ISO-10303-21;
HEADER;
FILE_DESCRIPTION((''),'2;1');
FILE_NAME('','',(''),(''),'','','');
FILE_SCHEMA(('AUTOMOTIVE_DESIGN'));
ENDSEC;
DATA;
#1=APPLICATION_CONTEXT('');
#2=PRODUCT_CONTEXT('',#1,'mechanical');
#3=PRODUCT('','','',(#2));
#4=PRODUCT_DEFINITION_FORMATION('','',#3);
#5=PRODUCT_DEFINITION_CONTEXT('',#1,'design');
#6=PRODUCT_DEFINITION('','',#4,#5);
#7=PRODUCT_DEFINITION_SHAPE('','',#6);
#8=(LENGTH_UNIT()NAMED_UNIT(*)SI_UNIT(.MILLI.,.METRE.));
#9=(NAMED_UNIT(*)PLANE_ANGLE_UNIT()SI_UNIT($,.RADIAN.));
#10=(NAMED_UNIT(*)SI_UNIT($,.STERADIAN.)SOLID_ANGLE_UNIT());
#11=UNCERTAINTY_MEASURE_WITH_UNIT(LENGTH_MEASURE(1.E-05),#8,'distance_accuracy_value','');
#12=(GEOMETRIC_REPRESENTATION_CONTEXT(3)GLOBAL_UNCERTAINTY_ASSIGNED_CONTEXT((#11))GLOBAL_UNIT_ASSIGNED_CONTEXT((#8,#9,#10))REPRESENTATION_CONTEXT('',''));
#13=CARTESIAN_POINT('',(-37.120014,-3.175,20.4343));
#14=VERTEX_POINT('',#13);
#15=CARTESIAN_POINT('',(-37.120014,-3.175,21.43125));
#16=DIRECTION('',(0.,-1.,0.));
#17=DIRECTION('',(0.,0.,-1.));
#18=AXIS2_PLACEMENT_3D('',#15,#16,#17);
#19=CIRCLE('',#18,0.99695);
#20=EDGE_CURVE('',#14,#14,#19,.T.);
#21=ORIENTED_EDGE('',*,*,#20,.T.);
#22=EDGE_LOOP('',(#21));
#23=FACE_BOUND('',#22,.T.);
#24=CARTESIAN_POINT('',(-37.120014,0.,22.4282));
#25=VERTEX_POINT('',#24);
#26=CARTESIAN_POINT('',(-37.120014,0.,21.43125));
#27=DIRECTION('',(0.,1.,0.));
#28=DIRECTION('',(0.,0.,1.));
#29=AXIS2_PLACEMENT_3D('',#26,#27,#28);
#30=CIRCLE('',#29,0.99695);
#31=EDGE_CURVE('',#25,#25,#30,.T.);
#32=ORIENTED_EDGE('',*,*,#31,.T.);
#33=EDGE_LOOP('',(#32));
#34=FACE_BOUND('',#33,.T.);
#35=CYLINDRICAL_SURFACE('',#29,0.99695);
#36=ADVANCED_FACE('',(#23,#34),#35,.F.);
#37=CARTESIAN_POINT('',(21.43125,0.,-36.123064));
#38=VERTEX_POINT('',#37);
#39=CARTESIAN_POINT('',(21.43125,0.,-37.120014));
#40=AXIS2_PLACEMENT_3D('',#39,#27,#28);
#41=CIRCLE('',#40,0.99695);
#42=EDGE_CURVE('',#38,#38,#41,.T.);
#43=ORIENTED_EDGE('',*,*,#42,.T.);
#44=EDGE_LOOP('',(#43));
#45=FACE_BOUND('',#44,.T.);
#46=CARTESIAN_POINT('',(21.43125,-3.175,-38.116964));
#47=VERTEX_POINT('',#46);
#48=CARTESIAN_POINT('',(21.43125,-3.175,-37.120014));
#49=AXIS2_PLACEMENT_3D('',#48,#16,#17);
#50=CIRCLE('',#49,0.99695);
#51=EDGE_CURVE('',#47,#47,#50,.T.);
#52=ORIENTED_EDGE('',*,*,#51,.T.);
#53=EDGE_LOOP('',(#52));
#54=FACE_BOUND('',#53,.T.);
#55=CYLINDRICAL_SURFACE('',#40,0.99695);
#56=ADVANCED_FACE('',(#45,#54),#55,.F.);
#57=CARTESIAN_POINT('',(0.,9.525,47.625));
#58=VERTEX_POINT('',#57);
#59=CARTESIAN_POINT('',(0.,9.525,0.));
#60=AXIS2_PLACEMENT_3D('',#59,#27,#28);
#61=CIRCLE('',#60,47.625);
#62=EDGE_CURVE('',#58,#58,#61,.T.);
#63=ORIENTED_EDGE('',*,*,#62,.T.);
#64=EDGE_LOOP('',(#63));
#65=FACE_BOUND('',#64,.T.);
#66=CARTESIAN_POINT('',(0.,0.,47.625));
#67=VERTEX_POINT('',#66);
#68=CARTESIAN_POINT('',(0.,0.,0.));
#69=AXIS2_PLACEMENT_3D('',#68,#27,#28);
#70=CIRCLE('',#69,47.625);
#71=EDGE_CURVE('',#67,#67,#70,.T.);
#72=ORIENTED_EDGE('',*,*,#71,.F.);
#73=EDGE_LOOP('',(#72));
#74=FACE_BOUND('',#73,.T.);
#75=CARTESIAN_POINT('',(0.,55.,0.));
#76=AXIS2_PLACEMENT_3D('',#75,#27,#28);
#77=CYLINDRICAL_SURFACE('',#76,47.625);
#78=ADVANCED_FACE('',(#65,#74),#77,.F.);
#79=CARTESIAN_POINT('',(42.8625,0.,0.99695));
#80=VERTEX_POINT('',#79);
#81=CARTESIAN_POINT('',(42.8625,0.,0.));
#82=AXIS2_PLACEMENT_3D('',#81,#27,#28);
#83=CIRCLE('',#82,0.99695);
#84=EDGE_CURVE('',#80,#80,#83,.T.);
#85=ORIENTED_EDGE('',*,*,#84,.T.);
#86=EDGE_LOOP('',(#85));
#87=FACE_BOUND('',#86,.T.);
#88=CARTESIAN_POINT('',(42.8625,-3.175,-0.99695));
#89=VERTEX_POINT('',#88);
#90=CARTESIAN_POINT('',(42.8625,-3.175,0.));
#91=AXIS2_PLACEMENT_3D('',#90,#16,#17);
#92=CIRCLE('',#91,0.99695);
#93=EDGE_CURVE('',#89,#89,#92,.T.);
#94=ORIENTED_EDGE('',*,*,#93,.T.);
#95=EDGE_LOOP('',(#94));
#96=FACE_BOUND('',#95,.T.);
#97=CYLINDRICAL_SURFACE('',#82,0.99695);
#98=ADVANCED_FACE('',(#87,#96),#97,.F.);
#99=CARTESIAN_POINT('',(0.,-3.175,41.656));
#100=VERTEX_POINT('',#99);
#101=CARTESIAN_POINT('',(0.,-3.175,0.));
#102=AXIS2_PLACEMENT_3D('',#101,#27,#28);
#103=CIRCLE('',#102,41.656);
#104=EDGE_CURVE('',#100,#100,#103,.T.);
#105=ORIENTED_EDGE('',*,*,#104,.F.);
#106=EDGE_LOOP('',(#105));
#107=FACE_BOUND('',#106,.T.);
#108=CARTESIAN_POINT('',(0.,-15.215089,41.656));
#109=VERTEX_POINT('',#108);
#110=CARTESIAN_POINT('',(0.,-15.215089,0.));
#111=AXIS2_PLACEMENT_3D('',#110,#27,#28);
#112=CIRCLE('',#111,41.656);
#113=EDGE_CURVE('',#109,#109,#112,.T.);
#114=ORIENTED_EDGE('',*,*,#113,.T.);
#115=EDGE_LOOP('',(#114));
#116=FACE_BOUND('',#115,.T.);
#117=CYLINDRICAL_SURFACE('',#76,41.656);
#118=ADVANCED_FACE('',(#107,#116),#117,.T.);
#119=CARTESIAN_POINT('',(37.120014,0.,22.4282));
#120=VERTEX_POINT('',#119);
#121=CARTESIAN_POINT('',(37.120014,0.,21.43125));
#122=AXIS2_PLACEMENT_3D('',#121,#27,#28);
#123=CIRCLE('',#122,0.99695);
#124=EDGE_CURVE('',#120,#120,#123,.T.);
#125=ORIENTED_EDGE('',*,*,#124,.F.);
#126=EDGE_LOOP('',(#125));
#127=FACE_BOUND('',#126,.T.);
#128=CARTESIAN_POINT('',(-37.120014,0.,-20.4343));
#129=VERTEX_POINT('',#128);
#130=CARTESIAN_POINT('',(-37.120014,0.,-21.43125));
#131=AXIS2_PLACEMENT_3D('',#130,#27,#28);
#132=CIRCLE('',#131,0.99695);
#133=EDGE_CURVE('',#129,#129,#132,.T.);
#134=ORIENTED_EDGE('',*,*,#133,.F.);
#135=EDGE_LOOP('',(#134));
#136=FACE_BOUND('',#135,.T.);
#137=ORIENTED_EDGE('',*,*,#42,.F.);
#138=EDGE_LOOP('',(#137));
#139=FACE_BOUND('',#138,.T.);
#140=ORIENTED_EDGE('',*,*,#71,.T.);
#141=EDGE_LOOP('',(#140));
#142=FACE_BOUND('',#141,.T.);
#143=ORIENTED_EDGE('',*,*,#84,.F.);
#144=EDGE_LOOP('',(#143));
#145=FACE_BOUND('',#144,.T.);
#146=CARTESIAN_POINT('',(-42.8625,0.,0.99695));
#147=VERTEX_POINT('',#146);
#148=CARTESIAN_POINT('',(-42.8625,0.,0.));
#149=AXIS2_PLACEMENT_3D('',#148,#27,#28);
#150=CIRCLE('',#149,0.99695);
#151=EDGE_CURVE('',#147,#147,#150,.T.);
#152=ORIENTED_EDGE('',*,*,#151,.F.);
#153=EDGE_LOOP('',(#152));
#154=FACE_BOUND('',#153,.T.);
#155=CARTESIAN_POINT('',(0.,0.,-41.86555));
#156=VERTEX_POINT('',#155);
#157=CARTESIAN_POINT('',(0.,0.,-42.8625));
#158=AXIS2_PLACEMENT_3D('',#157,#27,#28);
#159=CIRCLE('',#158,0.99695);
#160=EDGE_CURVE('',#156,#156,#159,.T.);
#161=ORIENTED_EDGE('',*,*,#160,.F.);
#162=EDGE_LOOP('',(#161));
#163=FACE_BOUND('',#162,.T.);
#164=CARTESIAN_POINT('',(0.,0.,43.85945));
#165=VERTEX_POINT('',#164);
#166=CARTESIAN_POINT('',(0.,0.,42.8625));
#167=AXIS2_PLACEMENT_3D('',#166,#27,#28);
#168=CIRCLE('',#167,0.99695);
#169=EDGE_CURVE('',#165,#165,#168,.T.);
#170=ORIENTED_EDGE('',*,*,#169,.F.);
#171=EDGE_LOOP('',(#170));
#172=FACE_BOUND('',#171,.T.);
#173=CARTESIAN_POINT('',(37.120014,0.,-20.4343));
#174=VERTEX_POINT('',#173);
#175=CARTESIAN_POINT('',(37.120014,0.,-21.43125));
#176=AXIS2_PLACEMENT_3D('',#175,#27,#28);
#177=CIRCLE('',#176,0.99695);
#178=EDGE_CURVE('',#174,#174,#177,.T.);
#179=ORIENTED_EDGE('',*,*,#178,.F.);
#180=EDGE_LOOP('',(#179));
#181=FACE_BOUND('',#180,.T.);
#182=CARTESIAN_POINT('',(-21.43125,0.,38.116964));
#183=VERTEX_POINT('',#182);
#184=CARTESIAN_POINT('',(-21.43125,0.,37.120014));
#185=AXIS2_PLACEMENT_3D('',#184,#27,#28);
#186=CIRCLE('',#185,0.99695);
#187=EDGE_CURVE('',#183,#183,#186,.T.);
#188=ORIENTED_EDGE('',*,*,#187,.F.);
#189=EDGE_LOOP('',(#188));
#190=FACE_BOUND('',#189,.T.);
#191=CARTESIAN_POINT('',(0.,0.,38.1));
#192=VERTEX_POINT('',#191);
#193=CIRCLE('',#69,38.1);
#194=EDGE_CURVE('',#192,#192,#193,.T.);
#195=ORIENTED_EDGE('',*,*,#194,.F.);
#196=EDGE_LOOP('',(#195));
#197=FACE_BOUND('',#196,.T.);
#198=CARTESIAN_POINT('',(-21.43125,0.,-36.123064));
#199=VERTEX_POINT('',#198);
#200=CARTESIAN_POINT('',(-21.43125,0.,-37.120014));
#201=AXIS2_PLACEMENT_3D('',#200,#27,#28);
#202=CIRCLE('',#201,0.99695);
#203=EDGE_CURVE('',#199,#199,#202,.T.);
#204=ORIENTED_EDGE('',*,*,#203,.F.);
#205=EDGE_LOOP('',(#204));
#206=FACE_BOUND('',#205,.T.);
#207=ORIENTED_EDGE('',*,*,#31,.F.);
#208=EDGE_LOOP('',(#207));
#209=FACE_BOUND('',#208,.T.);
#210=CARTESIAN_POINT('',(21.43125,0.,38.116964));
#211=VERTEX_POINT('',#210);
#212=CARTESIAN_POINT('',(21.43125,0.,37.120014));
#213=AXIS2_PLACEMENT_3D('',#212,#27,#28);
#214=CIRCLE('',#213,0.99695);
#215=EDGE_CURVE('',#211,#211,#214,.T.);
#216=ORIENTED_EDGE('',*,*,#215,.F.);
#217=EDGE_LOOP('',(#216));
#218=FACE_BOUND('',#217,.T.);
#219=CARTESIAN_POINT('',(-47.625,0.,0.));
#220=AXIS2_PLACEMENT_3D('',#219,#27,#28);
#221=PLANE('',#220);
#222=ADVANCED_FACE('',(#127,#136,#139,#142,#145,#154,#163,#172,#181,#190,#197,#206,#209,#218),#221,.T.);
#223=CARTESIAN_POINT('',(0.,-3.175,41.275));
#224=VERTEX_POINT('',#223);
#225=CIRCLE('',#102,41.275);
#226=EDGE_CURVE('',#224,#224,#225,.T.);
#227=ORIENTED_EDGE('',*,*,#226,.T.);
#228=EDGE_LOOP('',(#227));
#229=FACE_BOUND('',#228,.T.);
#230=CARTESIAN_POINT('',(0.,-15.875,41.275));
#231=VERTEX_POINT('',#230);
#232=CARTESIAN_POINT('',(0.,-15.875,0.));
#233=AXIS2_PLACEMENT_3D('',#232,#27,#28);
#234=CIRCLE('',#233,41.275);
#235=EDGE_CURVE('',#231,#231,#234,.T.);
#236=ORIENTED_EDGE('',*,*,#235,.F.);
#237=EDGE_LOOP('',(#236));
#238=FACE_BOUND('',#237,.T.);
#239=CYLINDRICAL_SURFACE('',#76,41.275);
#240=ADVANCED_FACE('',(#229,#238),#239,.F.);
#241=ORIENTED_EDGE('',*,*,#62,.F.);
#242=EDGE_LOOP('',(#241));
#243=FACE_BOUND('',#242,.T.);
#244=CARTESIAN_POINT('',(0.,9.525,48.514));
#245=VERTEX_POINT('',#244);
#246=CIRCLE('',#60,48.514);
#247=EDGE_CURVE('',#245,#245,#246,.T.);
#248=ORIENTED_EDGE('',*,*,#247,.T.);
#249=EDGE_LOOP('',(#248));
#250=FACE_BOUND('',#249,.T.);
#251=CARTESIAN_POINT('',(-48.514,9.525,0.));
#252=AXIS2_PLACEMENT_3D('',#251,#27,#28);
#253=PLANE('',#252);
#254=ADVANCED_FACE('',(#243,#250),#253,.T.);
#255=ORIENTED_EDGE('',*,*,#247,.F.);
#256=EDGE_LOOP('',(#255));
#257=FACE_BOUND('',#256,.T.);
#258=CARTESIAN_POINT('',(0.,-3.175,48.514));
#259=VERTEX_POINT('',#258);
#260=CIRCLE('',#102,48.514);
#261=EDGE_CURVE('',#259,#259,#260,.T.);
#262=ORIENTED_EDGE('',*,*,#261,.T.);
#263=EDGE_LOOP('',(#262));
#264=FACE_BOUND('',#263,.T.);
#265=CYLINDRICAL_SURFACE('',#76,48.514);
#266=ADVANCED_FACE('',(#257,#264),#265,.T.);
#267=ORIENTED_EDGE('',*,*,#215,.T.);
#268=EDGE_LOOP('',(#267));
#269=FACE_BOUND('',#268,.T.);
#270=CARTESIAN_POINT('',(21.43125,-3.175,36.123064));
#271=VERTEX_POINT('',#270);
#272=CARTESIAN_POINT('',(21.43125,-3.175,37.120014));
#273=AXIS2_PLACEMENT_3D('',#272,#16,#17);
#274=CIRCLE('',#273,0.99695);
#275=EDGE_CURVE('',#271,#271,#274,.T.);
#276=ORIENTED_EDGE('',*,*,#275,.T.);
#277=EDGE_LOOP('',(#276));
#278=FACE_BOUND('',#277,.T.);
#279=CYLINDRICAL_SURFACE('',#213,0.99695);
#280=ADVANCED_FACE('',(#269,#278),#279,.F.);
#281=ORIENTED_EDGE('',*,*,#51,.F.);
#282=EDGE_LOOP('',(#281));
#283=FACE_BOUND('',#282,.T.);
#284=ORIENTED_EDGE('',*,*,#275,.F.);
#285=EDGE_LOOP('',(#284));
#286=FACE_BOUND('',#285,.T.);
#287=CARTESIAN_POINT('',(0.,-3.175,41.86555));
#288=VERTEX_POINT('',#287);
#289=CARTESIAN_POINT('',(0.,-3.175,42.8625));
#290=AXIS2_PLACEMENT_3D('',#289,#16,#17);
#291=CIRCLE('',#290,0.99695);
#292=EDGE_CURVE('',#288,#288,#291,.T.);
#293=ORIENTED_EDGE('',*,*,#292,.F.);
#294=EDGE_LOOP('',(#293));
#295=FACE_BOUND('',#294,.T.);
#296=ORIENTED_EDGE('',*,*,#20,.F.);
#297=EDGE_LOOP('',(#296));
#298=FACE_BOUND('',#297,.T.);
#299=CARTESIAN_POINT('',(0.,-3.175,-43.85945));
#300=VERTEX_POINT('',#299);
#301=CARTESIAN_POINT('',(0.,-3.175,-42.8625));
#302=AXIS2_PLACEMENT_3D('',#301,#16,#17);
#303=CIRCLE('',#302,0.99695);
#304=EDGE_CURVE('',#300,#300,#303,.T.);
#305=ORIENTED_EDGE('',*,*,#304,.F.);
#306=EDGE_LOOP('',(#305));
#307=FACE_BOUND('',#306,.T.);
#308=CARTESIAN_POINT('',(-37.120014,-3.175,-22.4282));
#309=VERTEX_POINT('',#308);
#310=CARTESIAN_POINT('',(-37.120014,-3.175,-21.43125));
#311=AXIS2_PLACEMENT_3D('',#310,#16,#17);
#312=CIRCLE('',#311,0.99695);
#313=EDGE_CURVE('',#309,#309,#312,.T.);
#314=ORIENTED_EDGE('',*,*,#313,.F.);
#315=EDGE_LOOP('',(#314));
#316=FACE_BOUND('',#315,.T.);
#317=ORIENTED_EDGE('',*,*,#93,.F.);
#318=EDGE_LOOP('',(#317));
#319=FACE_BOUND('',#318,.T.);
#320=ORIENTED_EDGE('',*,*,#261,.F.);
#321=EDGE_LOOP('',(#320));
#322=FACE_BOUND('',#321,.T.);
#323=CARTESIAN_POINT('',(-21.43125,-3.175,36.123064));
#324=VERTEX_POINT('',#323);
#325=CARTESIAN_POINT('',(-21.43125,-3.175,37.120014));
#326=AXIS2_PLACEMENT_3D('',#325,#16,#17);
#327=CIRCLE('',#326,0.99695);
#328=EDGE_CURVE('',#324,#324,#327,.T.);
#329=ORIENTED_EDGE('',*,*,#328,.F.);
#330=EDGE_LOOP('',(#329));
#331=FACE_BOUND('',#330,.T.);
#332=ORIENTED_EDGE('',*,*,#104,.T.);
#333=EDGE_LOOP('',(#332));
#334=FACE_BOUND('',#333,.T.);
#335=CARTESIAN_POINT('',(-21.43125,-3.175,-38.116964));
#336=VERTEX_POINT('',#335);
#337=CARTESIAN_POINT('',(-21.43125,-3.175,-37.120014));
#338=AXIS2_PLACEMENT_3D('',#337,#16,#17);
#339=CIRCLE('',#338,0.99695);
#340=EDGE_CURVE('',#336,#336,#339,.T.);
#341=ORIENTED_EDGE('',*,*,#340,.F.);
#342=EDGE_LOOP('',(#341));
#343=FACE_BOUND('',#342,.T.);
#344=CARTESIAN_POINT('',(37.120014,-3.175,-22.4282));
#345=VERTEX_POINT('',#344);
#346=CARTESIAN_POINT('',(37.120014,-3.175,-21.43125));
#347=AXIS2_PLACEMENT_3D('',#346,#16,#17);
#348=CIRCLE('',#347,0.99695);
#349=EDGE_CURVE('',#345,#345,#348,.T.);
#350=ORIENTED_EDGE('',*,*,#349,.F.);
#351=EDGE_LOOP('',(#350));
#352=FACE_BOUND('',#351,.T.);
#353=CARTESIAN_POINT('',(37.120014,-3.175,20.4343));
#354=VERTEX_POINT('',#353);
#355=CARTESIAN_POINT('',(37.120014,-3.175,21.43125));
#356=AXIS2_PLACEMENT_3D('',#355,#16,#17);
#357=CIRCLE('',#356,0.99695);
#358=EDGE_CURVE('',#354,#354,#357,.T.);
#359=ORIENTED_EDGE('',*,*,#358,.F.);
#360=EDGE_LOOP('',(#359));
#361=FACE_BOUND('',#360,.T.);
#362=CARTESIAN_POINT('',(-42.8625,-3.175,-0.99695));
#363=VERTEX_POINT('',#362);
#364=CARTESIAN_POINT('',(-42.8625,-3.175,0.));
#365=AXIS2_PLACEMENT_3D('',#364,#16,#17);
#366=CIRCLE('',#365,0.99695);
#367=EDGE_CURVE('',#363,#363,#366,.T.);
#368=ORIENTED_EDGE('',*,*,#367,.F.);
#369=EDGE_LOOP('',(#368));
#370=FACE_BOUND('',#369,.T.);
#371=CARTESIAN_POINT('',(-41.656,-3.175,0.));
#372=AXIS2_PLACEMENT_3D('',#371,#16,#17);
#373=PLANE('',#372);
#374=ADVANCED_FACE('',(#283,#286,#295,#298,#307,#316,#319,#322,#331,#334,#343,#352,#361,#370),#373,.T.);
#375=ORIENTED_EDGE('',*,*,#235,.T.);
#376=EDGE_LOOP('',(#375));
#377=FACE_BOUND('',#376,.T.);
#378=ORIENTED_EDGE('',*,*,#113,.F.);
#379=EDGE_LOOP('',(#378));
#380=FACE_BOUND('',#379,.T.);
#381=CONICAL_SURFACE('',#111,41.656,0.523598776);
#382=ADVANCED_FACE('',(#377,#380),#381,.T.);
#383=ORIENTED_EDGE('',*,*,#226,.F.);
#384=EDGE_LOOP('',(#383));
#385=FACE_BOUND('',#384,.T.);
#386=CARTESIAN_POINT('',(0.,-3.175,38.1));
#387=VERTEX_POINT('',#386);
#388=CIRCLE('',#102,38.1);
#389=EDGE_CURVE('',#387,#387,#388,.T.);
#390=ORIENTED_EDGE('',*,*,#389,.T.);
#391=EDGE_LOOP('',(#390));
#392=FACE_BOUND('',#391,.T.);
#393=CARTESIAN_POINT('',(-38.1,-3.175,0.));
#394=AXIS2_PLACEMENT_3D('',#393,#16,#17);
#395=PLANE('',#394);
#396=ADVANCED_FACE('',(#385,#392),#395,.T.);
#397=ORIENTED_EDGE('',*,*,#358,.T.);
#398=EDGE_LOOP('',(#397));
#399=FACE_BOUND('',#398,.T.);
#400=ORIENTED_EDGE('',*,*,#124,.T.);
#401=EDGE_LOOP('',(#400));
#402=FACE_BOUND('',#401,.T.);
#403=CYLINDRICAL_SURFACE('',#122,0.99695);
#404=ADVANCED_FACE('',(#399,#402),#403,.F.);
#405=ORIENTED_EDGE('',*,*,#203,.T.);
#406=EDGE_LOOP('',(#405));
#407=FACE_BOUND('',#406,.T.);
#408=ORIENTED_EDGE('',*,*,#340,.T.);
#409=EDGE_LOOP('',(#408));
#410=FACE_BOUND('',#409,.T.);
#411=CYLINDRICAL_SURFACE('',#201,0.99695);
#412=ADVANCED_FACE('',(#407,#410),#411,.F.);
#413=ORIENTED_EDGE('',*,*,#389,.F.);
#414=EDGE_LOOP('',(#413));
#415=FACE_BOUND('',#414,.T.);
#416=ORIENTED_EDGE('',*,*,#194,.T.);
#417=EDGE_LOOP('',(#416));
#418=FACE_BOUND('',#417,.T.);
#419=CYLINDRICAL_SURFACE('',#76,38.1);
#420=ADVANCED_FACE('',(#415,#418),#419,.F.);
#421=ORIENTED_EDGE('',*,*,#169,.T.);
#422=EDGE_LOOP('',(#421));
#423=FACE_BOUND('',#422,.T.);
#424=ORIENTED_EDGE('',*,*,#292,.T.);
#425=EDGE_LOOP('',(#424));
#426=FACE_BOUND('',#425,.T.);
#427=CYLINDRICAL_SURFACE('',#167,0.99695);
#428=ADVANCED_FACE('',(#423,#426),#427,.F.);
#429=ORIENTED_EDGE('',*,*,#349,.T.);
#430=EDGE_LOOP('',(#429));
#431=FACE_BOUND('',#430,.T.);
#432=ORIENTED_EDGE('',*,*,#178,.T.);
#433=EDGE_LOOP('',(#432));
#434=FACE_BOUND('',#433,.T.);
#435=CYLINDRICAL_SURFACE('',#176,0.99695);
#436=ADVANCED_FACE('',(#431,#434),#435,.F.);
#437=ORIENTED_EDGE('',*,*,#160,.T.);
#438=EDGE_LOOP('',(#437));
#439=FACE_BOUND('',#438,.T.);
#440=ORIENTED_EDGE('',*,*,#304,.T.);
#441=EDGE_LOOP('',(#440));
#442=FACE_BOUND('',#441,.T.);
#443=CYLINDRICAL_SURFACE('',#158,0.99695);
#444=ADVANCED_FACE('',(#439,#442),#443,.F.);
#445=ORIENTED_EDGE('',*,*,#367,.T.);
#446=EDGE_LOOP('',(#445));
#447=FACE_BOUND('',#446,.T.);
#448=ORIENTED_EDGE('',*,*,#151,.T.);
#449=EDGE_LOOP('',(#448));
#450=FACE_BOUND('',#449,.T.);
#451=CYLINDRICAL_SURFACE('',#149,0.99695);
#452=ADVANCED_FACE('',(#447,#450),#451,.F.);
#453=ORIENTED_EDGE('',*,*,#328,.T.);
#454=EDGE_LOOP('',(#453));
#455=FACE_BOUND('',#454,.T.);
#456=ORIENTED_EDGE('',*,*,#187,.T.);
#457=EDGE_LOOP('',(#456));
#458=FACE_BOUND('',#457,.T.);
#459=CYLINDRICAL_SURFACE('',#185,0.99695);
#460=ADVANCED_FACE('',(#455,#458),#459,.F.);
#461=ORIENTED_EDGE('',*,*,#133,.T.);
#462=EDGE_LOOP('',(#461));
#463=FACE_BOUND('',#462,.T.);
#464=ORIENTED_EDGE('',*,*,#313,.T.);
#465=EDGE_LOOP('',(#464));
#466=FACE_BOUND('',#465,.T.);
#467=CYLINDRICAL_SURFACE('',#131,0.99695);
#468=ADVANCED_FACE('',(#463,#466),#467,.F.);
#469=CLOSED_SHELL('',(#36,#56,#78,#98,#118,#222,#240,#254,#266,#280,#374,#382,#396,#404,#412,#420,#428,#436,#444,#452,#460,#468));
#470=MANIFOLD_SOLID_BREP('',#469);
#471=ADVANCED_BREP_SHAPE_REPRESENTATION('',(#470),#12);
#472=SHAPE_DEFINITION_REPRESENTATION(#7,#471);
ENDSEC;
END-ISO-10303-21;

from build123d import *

# Parameters (mm, degrees)
SCREW_HOLES_COUNT = 12


with BuildPart() as part:
    # Cross Section → Main (revolve)
    with BuildSketch(Plane.XY):
        Polygon((-38.1, 0), (-38.1, -3.175), (-41.275, -3.175), (-41.275, -15.875), (-41.656, -15.215088642), (-41.656, -3.175), (-48.514, -3.175), (-48.514, 9.525), (-47.625, 9.525), (-47.625, 0), align=None)
    revolve(axis=Axis((0, 55, 0), (0, -1, 0)))

    # Sketch7 → #3-48 Tapped Hole1 (revolve, cut)
    with BuildSketch(Plane(origin=(-42.8625, 0, 0), x_dir=(0, 0, 1), z_dir=(1, 0, 0))):
        Polygon((0, 0), (0, 3.901027994), (0.99695, 3.302), (0.99695, 0), align=None)
    f_3_48_tapped_hole1 = revolve(axis=Axis((-42.8625, 6.35, 0), (0, -1, 0)), mode=Mode.SUBTRACT)

    # Screw Holes: #3-48 Tapped Hole1 ×12 about axis
    screw_holes_axis = Axis((0, 0, 0), (0, 1, 0))
    for i in range(1, SCREW_HOLES_COUNT):
        add(f_3_48_tapped_hole1.rotate(screw_holes_axis, i * 360 / SCREW_HOLES_COUNT), mode=Mode.SUBTRACT)


solid = part.part
